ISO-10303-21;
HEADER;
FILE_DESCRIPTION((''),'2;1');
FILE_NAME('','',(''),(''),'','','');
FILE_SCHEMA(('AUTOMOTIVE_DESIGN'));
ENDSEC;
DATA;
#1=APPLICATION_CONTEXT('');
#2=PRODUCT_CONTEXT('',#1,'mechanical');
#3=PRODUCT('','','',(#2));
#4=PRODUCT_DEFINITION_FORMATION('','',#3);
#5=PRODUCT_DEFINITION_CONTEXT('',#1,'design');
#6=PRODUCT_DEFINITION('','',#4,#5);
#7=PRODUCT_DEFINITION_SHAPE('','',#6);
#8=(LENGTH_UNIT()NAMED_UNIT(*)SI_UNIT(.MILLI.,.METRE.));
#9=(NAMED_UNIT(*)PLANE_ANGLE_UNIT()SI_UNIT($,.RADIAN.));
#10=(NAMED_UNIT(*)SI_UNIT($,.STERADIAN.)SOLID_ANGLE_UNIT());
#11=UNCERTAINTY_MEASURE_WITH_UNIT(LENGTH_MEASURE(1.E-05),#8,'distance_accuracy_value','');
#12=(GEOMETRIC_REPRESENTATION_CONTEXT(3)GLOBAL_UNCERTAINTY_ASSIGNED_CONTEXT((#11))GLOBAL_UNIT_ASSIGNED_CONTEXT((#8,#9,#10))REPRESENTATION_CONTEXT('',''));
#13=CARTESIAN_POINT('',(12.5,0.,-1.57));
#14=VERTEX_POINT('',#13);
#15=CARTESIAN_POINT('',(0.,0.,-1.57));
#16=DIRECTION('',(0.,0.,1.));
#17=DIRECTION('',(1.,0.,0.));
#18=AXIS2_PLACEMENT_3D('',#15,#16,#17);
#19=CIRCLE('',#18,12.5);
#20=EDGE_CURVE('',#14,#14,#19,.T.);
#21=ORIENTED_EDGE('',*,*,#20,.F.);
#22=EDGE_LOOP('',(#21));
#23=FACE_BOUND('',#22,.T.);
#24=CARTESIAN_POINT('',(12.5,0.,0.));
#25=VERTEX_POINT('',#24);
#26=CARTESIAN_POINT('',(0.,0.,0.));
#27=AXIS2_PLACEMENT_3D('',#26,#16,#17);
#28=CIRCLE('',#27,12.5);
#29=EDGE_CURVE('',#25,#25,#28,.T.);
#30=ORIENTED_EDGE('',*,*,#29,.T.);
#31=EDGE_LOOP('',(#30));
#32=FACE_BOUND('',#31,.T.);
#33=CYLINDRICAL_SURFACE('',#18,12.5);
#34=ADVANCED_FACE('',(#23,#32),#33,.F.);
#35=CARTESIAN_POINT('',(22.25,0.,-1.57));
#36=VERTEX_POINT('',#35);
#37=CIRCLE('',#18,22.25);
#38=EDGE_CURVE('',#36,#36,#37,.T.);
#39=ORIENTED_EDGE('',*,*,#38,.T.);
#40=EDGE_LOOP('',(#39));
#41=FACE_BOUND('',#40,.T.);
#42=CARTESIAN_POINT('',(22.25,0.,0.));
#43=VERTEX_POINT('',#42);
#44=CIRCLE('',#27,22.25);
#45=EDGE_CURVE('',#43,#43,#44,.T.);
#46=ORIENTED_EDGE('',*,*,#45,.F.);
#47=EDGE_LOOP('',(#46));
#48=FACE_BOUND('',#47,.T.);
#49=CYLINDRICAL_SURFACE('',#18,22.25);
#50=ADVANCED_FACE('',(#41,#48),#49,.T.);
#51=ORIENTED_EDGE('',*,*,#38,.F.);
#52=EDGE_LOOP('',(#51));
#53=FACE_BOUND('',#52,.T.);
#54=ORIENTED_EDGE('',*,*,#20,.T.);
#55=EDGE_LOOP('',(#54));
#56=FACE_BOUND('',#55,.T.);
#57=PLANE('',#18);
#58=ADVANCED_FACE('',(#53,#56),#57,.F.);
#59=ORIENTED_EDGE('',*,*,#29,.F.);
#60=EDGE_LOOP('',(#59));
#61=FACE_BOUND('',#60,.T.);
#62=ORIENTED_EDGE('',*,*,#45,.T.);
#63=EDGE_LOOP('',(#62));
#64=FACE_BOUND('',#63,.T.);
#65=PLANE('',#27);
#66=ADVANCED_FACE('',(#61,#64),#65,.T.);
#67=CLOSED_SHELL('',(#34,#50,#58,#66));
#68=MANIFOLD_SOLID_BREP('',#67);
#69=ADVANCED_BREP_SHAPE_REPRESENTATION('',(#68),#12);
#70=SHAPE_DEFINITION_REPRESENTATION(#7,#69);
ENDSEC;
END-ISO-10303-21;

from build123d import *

# Parameters (mm, degrees)
SKETCH3_R           = 22.25
SKETCH3_R_2         = 12.5
BOSS_EXTRUDE1_DEPTH = 1.57


with BuildPart() as part:
    # Sketch3 → Boss-Extrude1 (new body)
    with BuildSketch(Plane.XY):
        Circle(SKETCH3_R)
        Circle(SKETCH3_R_2, mode=Mode.SUBTRACT)
    extrude(amount=-BOSS_EXTRUDE1_DEPTH)


solid = part.part
